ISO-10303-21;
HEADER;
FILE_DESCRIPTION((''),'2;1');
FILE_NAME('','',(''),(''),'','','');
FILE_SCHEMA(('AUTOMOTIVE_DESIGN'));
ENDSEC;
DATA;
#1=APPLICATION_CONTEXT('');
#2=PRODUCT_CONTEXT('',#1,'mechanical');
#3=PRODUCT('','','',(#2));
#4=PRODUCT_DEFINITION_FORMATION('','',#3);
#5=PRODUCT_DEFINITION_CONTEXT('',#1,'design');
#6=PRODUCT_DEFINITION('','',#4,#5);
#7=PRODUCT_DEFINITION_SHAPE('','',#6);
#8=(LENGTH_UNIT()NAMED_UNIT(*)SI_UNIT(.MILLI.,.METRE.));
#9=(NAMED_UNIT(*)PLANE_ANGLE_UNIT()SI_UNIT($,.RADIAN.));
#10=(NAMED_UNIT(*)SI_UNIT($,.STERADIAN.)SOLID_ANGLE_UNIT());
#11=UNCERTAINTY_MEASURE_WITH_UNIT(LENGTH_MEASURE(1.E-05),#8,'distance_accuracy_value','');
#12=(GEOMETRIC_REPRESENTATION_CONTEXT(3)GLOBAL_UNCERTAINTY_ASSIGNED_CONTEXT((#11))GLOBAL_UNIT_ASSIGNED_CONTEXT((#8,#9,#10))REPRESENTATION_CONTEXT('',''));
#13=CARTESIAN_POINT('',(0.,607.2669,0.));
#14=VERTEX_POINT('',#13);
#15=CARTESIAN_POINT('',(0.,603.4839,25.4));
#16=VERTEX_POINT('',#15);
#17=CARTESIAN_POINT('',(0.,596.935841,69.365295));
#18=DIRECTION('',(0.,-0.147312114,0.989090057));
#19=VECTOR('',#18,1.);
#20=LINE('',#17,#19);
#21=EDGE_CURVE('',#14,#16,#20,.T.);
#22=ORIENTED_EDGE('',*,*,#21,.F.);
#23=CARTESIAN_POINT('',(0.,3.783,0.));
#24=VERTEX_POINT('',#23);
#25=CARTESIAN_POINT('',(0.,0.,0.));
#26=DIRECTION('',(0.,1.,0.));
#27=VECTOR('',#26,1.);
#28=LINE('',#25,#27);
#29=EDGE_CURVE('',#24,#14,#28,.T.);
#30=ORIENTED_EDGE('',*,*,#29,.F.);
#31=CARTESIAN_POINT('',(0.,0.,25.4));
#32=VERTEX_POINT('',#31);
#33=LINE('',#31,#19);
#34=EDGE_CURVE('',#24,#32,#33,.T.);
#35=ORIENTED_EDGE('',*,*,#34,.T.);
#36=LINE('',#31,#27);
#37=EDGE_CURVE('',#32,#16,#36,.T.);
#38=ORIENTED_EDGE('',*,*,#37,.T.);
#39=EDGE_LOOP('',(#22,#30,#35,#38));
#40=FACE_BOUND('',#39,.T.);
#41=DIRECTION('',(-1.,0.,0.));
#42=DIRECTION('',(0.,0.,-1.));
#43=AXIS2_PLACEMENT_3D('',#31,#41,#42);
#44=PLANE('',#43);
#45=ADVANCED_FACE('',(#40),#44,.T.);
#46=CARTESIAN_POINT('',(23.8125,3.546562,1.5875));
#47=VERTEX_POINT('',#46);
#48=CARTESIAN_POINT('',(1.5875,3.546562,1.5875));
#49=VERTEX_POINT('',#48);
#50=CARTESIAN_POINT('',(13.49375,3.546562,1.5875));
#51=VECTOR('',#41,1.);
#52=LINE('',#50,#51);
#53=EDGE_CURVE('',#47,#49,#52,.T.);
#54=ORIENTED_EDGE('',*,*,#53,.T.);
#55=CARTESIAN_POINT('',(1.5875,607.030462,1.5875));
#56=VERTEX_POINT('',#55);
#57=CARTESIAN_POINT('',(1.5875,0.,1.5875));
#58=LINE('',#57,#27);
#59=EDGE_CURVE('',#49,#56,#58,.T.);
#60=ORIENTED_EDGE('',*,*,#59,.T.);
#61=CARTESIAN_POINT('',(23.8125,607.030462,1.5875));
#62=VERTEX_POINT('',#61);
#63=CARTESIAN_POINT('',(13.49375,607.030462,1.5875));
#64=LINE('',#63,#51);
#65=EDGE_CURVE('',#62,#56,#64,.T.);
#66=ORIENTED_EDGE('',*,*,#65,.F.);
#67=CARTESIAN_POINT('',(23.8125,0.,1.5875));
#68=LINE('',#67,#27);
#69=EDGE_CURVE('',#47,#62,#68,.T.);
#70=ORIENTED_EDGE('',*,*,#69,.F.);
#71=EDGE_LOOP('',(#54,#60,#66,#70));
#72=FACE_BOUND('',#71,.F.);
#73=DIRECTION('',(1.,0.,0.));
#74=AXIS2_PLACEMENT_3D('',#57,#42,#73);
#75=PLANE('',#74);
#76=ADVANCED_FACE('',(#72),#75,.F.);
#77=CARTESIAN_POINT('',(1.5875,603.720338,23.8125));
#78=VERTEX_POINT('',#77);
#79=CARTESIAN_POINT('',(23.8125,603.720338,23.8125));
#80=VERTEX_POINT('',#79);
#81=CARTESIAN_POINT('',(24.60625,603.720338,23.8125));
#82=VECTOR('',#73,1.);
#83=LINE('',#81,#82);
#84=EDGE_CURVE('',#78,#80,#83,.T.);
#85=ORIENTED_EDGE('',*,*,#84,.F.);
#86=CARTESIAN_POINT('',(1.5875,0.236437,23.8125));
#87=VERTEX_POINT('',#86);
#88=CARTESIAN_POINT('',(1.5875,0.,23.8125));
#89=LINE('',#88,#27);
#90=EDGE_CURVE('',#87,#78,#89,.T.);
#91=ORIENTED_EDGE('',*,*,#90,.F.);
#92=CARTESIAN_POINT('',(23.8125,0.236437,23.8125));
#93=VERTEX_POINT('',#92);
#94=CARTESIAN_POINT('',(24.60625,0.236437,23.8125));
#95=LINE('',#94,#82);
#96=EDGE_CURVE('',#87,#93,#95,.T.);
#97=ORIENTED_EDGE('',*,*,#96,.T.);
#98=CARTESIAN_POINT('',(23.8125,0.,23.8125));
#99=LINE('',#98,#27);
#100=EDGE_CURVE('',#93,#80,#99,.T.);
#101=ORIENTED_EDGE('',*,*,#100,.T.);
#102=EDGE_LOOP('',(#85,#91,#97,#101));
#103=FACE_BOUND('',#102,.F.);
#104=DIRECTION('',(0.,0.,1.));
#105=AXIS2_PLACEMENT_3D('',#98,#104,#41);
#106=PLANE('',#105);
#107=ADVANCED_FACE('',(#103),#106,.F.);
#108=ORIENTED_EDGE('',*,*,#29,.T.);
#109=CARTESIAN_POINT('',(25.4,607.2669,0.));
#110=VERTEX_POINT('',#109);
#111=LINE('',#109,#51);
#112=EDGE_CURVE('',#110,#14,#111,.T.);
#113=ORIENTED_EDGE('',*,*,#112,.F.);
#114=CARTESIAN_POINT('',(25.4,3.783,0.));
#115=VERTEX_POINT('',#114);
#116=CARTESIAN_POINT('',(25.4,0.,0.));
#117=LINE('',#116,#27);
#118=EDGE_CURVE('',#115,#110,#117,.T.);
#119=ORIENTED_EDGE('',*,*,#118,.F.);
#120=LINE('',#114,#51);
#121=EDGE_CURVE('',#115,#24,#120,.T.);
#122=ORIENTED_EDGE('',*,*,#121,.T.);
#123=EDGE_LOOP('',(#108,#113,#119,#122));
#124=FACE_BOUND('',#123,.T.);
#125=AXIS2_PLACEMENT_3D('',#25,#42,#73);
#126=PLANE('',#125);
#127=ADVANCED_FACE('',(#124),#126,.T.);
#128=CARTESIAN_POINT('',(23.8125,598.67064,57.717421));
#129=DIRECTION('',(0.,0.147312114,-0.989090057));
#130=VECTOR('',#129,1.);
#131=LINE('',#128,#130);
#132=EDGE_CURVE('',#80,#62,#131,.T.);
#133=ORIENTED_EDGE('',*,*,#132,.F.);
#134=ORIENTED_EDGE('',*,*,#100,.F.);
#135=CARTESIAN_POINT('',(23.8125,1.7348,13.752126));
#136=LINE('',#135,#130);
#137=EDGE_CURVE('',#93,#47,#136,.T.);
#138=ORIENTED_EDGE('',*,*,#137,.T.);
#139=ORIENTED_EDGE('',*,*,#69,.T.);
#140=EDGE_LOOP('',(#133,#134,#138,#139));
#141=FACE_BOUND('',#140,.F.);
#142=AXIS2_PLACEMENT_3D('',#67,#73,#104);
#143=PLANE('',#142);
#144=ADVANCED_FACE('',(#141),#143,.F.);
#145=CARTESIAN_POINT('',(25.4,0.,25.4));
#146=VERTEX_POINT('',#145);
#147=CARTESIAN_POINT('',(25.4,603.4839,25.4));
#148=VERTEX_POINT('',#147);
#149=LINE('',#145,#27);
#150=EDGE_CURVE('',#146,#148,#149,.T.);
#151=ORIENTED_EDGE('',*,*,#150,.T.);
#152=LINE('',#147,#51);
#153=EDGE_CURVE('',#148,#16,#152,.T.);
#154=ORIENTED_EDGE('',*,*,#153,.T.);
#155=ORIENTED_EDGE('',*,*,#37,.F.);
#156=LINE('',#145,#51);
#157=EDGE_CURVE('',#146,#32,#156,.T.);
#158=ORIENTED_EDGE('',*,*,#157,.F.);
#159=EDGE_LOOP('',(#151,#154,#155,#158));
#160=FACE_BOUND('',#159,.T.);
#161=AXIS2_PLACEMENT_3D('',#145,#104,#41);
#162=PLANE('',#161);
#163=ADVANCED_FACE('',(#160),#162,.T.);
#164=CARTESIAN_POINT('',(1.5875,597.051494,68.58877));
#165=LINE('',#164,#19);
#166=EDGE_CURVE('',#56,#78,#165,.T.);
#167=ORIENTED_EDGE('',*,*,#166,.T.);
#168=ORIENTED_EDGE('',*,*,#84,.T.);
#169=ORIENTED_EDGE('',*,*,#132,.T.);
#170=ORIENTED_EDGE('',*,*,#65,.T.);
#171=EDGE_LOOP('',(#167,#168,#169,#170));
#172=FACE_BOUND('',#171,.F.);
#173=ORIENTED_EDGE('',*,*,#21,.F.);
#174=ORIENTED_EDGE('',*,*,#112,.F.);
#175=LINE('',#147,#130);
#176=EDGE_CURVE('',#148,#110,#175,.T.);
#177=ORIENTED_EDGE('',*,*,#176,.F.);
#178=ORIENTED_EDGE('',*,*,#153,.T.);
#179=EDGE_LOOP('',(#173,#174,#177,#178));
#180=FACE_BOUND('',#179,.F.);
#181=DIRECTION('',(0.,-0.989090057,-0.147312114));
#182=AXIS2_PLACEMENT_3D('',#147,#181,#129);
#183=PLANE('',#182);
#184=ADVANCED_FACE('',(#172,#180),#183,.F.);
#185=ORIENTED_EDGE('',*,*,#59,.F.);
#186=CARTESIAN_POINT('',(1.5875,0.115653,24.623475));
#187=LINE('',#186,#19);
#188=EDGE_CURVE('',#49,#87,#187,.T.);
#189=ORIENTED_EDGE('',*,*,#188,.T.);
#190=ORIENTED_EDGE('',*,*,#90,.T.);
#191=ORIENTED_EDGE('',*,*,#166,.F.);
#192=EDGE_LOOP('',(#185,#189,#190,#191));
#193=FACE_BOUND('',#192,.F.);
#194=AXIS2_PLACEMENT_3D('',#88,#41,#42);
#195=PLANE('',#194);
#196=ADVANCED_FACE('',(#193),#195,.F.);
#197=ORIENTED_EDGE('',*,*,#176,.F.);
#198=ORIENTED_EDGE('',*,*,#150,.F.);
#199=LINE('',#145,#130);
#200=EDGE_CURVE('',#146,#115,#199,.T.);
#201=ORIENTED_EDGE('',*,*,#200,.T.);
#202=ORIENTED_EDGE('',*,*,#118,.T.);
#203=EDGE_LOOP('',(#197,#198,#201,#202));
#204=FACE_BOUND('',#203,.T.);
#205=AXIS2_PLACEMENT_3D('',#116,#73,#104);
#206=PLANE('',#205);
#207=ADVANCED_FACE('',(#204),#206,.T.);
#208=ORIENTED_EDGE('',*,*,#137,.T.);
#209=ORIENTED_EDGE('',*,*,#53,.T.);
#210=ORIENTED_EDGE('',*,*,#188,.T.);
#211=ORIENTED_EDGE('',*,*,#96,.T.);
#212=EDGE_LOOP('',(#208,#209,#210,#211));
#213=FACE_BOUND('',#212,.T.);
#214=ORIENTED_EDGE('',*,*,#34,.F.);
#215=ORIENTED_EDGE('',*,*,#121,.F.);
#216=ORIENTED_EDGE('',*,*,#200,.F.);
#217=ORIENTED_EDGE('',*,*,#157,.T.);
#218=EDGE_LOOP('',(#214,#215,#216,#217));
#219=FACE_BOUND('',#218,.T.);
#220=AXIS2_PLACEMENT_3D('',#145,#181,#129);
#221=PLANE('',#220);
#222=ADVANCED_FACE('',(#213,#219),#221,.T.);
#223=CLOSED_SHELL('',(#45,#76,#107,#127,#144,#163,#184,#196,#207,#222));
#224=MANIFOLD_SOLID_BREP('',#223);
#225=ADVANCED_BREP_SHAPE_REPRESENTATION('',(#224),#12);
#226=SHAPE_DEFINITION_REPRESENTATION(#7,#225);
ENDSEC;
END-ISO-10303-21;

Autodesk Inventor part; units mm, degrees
ref_plane "YZ Plane" through (0, 0, 0) normal (1, 0, 0) x (0, 1, 0)
ref_plane "XZ Plane" through (0, 0, 0) normal (0, 1, 0) x (-1, 0, 0)
ref_plane "XY Plane" through (0, 0, 0) normal (0, 0, 1) x (1, 0, 0)
sketch "Sketch1" plane through (0, 0, 0) normal (0, 1, 0) x (-1, 0, 0)
  line L0 (0, 0) -> (-25.4, 0)
  line L1 (-25.4, 0) -> (-25.4, 25.4)
  line L2 (-25.4, 25.4) -> (0, 25.4)
  line L3 (0, 25.4) -> (0, 0)
  line L4 (-1.5875, 1.5875) -> (-23.8125, 1.5875)
  line L5 (-23.8125, 1.5875) -> (-23.8125, 23.8125)
  line L6 (-23.8125, 23.8125) -> (-1.5875, 23.8125)
  line L7 (-1.5875, 23.8125) -> (-1.5875, 1.5875)
  dimension "d0" = 25.4
  dimension "d2" = 25.4
  dimension "d3" = 1.5875
extrude "Extrusion1" add sketch "Sketch1" along normal blind 762
sketch "Sketch2" plane through (25.4, 0, 25.4) normal (1, 0, 0) x (0, 0, -1)
  line L0 (25.4, 0) -> (0, 0) projected
  line L1 (25.4, 0) -> (25.4, 762) projected
  line L2 (0, 762) -> (25.4, 762) projected
  line L3 (0, 0) -> (0, 762) projected
  line L4 (0, 0) -> (25.4, 3.783)
  line L5 (0, 603.4839) -> (25.4, 607.2669)
  dimension "d6" = 596.9
  dimension "d8" = 603.4839
extrude "Extrusion2" cut sketch "Sketch2" against normal blind 762 contours L0 L4 L1 | L3 L2 L1 L5
properties part number "Square Tube 5" material "Aluminum 6061"
